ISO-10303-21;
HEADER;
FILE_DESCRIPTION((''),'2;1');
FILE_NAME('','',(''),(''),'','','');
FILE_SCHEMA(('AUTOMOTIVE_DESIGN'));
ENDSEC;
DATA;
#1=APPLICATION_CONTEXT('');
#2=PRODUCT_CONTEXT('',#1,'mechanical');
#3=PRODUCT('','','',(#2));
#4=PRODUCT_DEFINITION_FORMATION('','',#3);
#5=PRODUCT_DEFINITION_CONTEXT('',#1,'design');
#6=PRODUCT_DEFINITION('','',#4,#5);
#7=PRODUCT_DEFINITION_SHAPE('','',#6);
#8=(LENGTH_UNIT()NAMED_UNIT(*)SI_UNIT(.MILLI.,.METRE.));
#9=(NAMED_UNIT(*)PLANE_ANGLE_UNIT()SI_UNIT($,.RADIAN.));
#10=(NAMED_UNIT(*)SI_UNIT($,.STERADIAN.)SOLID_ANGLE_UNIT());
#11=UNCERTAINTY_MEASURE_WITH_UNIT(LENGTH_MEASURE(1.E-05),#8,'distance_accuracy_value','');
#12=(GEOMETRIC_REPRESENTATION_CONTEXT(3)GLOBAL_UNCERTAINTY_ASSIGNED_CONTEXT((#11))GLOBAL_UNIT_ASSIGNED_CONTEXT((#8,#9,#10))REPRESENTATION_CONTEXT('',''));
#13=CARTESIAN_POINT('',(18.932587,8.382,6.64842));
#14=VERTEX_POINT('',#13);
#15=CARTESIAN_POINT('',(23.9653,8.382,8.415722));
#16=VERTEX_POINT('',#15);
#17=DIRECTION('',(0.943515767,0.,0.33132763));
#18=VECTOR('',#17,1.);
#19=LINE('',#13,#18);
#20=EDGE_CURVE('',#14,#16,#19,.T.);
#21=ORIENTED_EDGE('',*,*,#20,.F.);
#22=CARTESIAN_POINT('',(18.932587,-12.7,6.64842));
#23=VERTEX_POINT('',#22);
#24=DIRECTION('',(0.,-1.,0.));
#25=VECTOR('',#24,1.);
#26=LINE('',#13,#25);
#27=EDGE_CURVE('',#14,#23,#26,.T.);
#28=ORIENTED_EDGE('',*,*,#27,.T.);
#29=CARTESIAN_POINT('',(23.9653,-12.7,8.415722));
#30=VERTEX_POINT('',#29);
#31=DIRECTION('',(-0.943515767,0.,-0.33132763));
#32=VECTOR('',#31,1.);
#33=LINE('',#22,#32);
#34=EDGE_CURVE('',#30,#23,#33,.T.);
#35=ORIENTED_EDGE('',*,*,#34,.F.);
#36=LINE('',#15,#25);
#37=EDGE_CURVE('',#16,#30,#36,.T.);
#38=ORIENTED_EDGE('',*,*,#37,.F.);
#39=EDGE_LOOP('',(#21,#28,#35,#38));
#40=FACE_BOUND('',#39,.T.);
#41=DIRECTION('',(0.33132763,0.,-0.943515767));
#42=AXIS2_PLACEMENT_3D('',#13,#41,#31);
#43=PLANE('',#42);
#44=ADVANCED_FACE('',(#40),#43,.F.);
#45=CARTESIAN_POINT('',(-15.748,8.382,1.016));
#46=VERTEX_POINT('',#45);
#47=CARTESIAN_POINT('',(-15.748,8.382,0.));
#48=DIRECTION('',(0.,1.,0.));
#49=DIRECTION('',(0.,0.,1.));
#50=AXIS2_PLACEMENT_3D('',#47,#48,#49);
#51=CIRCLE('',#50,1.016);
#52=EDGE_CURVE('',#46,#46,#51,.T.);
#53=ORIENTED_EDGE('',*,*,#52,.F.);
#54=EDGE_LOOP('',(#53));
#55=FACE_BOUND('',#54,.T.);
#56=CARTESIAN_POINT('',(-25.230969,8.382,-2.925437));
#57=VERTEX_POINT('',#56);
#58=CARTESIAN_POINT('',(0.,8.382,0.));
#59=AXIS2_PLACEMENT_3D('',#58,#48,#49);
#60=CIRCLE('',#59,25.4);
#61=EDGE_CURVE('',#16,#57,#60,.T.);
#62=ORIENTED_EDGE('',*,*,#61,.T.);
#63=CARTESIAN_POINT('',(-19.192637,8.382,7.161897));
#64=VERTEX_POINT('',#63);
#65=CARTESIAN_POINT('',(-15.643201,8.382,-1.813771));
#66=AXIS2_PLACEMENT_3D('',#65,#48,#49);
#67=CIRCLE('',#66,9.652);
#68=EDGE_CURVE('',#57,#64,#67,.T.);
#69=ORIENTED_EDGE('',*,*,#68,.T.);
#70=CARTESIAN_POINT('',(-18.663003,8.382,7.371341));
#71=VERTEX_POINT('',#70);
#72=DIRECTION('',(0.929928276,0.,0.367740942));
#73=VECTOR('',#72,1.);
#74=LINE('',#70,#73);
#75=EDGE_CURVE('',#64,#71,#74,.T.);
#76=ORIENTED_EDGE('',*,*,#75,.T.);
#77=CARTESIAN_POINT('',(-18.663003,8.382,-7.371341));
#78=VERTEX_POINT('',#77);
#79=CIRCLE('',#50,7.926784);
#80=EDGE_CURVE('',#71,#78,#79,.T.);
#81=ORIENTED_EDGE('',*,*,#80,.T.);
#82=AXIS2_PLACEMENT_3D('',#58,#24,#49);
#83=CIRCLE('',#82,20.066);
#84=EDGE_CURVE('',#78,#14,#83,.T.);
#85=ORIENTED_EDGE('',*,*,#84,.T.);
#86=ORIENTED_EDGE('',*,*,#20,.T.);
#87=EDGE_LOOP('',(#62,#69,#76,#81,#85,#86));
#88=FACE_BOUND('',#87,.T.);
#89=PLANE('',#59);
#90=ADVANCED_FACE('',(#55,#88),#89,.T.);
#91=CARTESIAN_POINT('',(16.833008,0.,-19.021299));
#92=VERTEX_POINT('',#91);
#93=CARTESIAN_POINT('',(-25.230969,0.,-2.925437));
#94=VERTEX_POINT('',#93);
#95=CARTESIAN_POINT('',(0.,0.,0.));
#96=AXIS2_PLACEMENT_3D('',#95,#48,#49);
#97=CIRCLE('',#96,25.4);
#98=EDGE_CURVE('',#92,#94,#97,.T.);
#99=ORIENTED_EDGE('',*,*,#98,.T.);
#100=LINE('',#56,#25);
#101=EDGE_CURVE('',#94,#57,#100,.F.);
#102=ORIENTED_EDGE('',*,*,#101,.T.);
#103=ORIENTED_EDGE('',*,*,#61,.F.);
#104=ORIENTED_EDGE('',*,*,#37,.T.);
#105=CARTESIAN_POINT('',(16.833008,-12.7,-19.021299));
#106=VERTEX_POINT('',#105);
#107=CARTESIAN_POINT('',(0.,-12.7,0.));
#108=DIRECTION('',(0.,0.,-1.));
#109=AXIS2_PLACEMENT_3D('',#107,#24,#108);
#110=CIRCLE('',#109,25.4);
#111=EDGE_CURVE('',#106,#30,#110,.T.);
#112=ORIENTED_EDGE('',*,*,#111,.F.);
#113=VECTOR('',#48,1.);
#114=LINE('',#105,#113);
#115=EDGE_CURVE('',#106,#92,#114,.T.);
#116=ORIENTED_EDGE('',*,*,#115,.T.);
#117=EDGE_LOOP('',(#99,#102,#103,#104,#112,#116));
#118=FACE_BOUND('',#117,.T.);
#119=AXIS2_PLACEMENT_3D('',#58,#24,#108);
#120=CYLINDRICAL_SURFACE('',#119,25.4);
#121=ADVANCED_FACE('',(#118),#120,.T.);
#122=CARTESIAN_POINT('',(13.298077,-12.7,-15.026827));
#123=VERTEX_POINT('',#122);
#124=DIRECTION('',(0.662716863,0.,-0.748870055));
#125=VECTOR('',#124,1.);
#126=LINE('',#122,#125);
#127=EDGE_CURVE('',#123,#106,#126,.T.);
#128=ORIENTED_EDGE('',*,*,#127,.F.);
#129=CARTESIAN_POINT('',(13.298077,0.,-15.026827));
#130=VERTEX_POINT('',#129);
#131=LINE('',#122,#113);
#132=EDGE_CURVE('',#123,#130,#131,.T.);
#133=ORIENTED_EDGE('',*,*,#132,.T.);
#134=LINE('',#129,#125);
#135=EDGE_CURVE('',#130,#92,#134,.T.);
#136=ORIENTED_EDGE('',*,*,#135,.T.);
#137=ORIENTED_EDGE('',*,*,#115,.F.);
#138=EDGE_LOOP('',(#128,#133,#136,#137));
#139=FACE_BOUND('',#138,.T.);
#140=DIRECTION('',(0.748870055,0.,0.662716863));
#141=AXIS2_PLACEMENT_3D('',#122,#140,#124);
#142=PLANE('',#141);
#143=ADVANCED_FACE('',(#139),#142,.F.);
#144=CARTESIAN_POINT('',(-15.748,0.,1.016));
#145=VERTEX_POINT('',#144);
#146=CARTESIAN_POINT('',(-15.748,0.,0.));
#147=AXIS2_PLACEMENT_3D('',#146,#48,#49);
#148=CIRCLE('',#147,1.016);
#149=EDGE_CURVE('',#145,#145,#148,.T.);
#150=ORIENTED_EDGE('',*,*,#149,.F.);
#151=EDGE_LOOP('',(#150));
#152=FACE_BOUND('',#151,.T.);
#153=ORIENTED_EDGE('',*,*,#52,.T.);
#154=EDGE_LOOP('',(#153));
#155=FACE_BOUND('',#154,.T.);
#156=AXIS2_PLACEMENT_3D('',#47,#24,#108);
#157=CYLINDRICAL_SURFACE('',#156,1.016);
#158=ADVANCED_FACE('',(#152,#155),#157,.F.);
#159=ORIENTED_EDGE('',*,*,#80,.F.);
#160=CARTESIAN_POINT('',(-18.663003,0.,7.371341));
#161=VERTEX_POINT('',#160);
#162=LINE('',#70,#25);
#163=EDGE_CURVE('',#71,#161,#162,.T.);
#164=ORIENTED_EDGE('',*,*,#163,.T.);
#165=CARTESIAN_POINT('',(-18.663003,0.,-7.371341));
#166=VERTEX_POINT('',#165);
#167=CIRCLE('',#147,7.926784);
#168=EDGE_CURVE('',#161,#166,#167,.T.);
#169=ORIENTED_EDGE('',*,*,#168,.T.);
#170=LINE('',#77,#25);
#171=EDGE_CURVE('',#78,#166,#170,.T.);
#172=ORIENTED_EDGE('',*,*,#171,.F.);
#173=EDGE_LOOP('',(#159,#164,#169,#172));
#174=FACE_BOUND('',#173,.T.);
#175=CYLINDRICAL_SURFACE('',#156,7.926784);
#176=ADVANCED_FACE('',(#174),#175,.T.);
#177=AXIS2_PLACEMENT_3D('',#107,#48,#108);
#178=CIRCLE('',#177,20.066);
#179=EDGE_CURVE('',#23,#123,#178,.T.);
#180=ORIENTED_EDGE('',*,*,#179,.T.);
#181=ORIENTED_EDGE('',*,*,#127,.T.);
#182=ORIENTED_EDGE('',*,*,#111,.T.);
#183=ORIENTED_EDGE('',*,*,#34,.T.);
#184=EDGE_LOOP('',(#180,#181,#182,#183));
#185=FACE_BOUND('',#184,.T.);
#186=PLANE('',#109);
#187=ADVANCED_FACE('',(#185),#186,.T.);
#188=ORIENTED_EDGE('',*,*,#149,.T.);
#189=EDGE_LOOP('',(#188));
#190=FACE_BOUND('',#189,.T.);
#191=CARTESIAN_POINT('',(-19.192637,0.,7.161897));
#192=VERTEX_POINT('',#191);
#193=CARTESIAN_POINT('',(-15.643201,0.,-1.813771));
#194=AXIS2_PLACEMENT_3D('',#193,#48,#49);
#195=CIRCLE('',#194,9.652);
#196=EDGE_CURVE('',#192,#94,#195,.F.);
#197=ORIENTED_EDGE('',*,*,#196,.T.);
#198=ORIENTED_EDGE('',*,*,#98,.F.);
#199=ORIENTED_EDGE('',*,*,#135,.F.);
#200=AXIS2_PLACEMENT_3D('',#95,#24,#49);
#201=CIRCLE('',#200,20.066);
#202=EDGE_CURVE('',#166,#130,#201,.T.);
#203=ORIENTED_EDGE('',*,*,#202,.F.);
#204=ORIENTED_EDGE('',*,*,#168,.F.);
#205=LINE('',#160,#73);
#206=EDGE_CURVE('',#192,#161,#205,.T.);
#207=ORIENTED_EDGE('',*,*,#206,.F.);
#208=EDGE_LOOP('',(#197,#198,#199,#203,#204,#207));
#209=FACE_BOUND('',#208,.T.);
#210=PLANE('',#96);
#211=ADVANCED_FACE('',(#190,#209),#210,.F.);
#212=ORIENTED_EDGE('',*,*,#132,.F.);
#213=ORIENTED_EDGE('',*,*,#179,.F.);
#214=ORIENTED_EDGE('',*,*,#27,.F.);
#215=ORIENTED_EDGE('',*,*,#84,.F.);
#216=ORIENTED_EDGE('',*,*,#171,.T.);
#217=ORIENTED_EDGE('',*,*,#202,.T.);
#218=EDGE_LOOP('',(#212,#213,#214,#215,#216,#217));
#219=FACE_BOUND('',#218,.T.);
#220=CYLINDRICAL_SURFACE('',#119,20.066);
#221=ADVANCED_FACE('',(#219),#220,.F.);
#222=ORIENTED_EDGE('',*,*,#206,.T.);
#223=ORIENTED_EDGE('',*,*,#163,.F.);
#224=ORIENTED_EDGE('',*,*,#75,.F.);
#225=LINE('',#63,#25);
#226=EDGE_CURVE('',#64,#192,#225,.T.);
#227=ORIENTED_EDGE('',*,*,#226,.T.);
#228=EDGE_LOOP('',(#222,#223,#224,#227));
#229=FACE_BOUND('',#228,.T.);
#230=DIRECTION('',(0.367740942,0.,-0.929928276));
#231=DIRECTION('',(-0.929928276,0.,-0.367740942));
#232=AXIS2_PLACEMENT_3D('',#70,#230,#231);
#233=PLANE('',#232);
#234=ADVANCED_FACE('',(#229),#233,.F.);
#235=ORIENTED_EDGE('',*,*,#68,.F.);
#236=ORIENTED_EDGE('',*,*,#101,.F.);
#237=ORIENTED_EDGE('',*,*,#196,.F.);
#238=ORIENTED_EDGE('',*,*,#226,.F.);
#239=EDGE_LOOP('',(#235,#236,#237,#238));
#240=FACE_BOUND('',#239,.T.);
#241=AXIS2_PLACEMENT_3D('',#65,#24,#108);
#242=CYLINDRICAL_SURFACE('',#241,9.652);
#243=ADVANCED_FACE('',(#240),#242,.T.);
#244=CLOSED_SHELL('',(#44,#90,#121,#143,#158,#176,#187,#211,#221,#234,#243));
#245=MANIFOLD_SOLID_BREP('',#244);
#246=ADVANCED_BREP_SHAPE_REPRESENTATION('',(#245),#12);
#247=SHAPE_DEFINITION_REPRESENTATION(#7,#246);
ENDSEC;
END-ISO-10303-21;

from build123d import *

# Parameters (mm, degrees)
SKETCH4_R           = 1.016
BOSS_EXTRUDE3_DEPTH = 8.382
BOSS_EXTRUDE4_DEPTH = 12.7
FILLET4_R           = 9.652


with BuildPart() as part:
    # Sketch4 → Boss-Extrude3 (new body)
    with BuildSketch(Plane(origin=(0, 0, 0), x_dir=(1, 0, 0), z_dir=(0, 1, 0))):
        with BuildLine():
            Line((-18.663003184, -7.371341), (-24.923761703, -4.89551862))
            ThreePointArc((-24.923761703, -4.89551862), (1.824176411, 25.334410994), (23.965300472, -8.415721794))
            Line((23.965300472, -8.415721794), (18.932587373, -6.648420217))
            ThreePointArc((18.932587373, -6.648420217), (7.011176439, 18.801270195), (-18.663003184, 7.371341))
            ThreePointArc((-18.663003184, 7.371341), (-7.821215551, 0), (-18.663003184, -7.371341))
        make_face()
        with Locations((-15.748, 0)):
            Circle(SKETCH4_R, mode=Mode.SUBTRACT)
    extrude(amount=BOSS_EXTRUDE3_DEPTH)

    # Sketch5 → Boss-Extrude4 (add)
    with BuildSketch(Plane.XZ):
        with BuildLine():
            Line((18.932587373, 6.648420217), (23.965300472, 8.415721794))
            ThreePointArc((23.965300472, 8.415721794), (24.582982591, -6.390380813), (16.83300832, -19.021299401))
            Line((16.83300832, -19.021299401), (13.298076573, -15.026826527))
            ThreePointArc((13.298076573, -15.026826527), (19.420556247, -5.048400842), (18.932587373, 6.648420217))
        make_face()
    extrude(amount=BOSS_EXTRUDE4_DEPTH)

    # Fillet4
    fillet4_edges = [part.edges().sort_by_distance(p)[0] for p in [
        (-24.923761703, 4.191, 4.89551862),
    ]]
    fillet(fillet4_edges, radius=FILLET4_R)


solid = part.part
